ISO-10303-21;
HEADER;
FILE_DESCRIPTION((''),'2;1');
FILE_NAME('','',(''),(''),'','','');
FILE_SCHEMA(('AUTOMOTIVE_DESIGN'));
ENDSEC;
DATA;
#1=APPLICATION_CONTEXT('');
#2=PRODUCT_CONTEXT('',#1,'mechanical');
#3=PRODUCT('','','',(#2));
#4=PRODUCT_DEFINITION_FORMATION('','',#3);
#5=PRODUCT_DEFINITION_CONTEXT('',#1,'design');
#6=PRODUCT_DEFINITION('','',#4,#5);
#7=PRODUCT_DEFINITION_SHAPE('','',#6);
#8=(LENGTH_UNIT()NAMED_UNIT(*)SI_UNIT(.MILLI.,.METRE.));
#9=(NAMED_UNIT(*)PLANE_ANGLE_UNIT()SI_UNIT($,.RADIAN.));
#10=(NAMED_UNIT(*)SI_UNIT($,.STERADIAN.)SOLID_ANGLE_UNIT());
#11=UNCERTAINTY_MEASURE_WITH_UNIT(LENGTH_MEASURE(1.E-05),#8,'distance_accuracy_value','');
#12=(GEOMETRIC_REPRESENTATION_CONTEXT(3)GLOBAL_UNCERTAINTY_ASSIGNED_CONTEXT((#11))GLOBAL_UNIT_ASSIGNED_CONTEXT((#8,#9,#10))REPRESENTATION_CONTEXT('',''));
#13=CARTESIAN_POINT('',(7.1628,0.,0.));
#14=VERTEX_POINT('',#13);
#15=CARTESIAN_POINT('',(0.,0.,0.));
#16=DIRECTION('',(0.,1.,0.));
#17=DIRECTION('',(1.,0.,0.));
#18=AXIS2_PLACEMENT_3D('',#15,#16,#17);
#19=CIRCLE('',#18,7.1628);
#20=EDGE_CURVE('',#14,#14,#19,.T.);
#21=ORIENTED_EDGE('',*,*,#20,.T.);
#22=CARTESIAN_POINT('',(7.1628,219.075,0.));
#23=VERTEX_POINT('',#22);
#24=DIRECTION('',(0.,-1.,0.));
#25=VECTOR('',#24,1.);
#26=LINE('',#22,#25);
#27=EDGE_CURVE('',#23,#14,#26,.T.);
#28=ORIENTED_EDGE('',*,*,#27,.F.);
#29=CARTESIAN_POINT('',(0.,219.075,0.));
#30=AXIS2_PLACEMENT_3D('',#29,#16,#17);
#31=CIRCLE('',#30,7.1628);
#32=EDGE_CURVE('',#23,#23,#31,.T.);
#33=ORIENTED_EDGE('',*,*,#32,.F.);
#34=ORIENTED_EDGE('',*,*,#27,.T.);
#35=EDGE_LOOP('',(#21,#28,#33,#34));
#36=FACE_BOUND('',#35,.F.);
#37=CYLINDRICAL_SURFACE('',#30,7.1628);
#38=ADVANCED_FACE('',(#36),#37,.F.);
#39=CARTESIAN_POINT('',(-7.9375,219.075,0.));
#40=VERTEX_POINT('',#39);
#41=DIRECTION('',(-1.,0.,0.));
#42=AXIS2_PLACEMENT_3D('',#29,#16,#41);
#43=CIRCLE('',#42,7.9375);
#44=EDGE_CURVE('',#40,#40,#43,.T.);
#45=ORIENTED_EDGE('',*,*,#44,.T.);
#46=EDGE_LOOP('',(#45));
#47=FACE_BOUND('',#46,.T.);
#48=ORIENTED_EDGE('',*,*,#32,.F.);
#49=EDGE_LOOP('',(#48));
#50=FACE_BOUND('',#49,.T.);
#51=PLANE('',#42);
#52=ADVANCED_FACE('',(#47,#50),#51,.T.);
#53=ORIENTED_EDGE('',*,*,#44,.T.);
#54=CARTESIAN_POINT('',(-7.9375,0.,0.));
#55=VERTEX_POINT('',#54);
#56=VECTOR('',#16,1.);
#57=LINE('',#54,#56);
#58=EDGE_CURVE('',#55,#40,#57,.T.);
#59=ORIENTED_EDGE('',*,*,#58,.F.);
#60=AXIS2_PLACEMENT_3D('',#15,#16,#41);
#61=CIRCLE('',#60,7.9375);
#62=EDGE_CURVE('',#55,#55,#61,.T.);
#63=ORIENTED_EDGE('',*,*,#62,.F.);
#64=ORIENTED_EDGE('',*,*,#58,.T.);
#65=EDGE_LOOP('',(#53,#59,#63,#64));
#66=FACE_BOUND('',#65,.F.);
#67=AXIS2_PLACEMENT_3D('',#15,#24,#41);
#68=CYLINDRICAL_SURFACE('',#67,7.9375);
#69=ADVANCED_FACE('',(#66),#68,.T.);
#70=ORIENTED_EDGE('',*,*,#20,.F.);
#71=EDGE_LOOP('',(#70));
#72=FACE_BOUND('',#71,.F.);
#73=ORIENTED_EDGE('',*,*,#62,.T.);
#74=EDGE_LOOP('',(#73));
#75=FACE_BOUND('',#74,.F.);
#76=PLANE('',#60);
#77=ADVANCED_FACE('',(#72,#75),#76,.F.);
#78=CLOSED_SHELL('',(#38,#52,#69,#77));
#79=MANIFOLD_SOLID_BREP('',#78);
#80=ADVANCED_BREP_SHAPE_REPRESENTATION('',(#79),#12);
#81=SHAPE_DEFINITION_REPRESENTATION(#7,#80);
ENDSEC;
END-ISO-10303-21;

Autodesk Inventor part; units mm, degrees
ref_plane "YZ Plane" through (0, 0, 0) normal (1, 0, 0) x (0, 1, 0)
ref_plane "XZ Plane" through (0, 0, 0) normal (0, 1, 0) x (-1, 0, 0)
ref_plane "XY Plane" through (0, 0, 0) normal (0, 0, 1) x (1, 0, 0)
sketch "Sketch1" plane through (0, 0, 0) normal (0, 1, 0) x (-1, 0, 0)
  circle A0 centre (0, 0) radius 7.9375
  dimension "d0" = 15.875
extrude "Extrusion1" add sketch "Sketch1" along normal blind 219.075
sketch "Sketch2" plane through (0, 219.075, 0) normal (0, 1, 0) x (1, 0, 0)
  circle A0 centre (0, 0) radius 7.1628
  dimension "d3" = 14.3256
extrude "Extrusion2" cut sketch "Sketch2" against normal blind 269.875
properties part number "winch spool"
